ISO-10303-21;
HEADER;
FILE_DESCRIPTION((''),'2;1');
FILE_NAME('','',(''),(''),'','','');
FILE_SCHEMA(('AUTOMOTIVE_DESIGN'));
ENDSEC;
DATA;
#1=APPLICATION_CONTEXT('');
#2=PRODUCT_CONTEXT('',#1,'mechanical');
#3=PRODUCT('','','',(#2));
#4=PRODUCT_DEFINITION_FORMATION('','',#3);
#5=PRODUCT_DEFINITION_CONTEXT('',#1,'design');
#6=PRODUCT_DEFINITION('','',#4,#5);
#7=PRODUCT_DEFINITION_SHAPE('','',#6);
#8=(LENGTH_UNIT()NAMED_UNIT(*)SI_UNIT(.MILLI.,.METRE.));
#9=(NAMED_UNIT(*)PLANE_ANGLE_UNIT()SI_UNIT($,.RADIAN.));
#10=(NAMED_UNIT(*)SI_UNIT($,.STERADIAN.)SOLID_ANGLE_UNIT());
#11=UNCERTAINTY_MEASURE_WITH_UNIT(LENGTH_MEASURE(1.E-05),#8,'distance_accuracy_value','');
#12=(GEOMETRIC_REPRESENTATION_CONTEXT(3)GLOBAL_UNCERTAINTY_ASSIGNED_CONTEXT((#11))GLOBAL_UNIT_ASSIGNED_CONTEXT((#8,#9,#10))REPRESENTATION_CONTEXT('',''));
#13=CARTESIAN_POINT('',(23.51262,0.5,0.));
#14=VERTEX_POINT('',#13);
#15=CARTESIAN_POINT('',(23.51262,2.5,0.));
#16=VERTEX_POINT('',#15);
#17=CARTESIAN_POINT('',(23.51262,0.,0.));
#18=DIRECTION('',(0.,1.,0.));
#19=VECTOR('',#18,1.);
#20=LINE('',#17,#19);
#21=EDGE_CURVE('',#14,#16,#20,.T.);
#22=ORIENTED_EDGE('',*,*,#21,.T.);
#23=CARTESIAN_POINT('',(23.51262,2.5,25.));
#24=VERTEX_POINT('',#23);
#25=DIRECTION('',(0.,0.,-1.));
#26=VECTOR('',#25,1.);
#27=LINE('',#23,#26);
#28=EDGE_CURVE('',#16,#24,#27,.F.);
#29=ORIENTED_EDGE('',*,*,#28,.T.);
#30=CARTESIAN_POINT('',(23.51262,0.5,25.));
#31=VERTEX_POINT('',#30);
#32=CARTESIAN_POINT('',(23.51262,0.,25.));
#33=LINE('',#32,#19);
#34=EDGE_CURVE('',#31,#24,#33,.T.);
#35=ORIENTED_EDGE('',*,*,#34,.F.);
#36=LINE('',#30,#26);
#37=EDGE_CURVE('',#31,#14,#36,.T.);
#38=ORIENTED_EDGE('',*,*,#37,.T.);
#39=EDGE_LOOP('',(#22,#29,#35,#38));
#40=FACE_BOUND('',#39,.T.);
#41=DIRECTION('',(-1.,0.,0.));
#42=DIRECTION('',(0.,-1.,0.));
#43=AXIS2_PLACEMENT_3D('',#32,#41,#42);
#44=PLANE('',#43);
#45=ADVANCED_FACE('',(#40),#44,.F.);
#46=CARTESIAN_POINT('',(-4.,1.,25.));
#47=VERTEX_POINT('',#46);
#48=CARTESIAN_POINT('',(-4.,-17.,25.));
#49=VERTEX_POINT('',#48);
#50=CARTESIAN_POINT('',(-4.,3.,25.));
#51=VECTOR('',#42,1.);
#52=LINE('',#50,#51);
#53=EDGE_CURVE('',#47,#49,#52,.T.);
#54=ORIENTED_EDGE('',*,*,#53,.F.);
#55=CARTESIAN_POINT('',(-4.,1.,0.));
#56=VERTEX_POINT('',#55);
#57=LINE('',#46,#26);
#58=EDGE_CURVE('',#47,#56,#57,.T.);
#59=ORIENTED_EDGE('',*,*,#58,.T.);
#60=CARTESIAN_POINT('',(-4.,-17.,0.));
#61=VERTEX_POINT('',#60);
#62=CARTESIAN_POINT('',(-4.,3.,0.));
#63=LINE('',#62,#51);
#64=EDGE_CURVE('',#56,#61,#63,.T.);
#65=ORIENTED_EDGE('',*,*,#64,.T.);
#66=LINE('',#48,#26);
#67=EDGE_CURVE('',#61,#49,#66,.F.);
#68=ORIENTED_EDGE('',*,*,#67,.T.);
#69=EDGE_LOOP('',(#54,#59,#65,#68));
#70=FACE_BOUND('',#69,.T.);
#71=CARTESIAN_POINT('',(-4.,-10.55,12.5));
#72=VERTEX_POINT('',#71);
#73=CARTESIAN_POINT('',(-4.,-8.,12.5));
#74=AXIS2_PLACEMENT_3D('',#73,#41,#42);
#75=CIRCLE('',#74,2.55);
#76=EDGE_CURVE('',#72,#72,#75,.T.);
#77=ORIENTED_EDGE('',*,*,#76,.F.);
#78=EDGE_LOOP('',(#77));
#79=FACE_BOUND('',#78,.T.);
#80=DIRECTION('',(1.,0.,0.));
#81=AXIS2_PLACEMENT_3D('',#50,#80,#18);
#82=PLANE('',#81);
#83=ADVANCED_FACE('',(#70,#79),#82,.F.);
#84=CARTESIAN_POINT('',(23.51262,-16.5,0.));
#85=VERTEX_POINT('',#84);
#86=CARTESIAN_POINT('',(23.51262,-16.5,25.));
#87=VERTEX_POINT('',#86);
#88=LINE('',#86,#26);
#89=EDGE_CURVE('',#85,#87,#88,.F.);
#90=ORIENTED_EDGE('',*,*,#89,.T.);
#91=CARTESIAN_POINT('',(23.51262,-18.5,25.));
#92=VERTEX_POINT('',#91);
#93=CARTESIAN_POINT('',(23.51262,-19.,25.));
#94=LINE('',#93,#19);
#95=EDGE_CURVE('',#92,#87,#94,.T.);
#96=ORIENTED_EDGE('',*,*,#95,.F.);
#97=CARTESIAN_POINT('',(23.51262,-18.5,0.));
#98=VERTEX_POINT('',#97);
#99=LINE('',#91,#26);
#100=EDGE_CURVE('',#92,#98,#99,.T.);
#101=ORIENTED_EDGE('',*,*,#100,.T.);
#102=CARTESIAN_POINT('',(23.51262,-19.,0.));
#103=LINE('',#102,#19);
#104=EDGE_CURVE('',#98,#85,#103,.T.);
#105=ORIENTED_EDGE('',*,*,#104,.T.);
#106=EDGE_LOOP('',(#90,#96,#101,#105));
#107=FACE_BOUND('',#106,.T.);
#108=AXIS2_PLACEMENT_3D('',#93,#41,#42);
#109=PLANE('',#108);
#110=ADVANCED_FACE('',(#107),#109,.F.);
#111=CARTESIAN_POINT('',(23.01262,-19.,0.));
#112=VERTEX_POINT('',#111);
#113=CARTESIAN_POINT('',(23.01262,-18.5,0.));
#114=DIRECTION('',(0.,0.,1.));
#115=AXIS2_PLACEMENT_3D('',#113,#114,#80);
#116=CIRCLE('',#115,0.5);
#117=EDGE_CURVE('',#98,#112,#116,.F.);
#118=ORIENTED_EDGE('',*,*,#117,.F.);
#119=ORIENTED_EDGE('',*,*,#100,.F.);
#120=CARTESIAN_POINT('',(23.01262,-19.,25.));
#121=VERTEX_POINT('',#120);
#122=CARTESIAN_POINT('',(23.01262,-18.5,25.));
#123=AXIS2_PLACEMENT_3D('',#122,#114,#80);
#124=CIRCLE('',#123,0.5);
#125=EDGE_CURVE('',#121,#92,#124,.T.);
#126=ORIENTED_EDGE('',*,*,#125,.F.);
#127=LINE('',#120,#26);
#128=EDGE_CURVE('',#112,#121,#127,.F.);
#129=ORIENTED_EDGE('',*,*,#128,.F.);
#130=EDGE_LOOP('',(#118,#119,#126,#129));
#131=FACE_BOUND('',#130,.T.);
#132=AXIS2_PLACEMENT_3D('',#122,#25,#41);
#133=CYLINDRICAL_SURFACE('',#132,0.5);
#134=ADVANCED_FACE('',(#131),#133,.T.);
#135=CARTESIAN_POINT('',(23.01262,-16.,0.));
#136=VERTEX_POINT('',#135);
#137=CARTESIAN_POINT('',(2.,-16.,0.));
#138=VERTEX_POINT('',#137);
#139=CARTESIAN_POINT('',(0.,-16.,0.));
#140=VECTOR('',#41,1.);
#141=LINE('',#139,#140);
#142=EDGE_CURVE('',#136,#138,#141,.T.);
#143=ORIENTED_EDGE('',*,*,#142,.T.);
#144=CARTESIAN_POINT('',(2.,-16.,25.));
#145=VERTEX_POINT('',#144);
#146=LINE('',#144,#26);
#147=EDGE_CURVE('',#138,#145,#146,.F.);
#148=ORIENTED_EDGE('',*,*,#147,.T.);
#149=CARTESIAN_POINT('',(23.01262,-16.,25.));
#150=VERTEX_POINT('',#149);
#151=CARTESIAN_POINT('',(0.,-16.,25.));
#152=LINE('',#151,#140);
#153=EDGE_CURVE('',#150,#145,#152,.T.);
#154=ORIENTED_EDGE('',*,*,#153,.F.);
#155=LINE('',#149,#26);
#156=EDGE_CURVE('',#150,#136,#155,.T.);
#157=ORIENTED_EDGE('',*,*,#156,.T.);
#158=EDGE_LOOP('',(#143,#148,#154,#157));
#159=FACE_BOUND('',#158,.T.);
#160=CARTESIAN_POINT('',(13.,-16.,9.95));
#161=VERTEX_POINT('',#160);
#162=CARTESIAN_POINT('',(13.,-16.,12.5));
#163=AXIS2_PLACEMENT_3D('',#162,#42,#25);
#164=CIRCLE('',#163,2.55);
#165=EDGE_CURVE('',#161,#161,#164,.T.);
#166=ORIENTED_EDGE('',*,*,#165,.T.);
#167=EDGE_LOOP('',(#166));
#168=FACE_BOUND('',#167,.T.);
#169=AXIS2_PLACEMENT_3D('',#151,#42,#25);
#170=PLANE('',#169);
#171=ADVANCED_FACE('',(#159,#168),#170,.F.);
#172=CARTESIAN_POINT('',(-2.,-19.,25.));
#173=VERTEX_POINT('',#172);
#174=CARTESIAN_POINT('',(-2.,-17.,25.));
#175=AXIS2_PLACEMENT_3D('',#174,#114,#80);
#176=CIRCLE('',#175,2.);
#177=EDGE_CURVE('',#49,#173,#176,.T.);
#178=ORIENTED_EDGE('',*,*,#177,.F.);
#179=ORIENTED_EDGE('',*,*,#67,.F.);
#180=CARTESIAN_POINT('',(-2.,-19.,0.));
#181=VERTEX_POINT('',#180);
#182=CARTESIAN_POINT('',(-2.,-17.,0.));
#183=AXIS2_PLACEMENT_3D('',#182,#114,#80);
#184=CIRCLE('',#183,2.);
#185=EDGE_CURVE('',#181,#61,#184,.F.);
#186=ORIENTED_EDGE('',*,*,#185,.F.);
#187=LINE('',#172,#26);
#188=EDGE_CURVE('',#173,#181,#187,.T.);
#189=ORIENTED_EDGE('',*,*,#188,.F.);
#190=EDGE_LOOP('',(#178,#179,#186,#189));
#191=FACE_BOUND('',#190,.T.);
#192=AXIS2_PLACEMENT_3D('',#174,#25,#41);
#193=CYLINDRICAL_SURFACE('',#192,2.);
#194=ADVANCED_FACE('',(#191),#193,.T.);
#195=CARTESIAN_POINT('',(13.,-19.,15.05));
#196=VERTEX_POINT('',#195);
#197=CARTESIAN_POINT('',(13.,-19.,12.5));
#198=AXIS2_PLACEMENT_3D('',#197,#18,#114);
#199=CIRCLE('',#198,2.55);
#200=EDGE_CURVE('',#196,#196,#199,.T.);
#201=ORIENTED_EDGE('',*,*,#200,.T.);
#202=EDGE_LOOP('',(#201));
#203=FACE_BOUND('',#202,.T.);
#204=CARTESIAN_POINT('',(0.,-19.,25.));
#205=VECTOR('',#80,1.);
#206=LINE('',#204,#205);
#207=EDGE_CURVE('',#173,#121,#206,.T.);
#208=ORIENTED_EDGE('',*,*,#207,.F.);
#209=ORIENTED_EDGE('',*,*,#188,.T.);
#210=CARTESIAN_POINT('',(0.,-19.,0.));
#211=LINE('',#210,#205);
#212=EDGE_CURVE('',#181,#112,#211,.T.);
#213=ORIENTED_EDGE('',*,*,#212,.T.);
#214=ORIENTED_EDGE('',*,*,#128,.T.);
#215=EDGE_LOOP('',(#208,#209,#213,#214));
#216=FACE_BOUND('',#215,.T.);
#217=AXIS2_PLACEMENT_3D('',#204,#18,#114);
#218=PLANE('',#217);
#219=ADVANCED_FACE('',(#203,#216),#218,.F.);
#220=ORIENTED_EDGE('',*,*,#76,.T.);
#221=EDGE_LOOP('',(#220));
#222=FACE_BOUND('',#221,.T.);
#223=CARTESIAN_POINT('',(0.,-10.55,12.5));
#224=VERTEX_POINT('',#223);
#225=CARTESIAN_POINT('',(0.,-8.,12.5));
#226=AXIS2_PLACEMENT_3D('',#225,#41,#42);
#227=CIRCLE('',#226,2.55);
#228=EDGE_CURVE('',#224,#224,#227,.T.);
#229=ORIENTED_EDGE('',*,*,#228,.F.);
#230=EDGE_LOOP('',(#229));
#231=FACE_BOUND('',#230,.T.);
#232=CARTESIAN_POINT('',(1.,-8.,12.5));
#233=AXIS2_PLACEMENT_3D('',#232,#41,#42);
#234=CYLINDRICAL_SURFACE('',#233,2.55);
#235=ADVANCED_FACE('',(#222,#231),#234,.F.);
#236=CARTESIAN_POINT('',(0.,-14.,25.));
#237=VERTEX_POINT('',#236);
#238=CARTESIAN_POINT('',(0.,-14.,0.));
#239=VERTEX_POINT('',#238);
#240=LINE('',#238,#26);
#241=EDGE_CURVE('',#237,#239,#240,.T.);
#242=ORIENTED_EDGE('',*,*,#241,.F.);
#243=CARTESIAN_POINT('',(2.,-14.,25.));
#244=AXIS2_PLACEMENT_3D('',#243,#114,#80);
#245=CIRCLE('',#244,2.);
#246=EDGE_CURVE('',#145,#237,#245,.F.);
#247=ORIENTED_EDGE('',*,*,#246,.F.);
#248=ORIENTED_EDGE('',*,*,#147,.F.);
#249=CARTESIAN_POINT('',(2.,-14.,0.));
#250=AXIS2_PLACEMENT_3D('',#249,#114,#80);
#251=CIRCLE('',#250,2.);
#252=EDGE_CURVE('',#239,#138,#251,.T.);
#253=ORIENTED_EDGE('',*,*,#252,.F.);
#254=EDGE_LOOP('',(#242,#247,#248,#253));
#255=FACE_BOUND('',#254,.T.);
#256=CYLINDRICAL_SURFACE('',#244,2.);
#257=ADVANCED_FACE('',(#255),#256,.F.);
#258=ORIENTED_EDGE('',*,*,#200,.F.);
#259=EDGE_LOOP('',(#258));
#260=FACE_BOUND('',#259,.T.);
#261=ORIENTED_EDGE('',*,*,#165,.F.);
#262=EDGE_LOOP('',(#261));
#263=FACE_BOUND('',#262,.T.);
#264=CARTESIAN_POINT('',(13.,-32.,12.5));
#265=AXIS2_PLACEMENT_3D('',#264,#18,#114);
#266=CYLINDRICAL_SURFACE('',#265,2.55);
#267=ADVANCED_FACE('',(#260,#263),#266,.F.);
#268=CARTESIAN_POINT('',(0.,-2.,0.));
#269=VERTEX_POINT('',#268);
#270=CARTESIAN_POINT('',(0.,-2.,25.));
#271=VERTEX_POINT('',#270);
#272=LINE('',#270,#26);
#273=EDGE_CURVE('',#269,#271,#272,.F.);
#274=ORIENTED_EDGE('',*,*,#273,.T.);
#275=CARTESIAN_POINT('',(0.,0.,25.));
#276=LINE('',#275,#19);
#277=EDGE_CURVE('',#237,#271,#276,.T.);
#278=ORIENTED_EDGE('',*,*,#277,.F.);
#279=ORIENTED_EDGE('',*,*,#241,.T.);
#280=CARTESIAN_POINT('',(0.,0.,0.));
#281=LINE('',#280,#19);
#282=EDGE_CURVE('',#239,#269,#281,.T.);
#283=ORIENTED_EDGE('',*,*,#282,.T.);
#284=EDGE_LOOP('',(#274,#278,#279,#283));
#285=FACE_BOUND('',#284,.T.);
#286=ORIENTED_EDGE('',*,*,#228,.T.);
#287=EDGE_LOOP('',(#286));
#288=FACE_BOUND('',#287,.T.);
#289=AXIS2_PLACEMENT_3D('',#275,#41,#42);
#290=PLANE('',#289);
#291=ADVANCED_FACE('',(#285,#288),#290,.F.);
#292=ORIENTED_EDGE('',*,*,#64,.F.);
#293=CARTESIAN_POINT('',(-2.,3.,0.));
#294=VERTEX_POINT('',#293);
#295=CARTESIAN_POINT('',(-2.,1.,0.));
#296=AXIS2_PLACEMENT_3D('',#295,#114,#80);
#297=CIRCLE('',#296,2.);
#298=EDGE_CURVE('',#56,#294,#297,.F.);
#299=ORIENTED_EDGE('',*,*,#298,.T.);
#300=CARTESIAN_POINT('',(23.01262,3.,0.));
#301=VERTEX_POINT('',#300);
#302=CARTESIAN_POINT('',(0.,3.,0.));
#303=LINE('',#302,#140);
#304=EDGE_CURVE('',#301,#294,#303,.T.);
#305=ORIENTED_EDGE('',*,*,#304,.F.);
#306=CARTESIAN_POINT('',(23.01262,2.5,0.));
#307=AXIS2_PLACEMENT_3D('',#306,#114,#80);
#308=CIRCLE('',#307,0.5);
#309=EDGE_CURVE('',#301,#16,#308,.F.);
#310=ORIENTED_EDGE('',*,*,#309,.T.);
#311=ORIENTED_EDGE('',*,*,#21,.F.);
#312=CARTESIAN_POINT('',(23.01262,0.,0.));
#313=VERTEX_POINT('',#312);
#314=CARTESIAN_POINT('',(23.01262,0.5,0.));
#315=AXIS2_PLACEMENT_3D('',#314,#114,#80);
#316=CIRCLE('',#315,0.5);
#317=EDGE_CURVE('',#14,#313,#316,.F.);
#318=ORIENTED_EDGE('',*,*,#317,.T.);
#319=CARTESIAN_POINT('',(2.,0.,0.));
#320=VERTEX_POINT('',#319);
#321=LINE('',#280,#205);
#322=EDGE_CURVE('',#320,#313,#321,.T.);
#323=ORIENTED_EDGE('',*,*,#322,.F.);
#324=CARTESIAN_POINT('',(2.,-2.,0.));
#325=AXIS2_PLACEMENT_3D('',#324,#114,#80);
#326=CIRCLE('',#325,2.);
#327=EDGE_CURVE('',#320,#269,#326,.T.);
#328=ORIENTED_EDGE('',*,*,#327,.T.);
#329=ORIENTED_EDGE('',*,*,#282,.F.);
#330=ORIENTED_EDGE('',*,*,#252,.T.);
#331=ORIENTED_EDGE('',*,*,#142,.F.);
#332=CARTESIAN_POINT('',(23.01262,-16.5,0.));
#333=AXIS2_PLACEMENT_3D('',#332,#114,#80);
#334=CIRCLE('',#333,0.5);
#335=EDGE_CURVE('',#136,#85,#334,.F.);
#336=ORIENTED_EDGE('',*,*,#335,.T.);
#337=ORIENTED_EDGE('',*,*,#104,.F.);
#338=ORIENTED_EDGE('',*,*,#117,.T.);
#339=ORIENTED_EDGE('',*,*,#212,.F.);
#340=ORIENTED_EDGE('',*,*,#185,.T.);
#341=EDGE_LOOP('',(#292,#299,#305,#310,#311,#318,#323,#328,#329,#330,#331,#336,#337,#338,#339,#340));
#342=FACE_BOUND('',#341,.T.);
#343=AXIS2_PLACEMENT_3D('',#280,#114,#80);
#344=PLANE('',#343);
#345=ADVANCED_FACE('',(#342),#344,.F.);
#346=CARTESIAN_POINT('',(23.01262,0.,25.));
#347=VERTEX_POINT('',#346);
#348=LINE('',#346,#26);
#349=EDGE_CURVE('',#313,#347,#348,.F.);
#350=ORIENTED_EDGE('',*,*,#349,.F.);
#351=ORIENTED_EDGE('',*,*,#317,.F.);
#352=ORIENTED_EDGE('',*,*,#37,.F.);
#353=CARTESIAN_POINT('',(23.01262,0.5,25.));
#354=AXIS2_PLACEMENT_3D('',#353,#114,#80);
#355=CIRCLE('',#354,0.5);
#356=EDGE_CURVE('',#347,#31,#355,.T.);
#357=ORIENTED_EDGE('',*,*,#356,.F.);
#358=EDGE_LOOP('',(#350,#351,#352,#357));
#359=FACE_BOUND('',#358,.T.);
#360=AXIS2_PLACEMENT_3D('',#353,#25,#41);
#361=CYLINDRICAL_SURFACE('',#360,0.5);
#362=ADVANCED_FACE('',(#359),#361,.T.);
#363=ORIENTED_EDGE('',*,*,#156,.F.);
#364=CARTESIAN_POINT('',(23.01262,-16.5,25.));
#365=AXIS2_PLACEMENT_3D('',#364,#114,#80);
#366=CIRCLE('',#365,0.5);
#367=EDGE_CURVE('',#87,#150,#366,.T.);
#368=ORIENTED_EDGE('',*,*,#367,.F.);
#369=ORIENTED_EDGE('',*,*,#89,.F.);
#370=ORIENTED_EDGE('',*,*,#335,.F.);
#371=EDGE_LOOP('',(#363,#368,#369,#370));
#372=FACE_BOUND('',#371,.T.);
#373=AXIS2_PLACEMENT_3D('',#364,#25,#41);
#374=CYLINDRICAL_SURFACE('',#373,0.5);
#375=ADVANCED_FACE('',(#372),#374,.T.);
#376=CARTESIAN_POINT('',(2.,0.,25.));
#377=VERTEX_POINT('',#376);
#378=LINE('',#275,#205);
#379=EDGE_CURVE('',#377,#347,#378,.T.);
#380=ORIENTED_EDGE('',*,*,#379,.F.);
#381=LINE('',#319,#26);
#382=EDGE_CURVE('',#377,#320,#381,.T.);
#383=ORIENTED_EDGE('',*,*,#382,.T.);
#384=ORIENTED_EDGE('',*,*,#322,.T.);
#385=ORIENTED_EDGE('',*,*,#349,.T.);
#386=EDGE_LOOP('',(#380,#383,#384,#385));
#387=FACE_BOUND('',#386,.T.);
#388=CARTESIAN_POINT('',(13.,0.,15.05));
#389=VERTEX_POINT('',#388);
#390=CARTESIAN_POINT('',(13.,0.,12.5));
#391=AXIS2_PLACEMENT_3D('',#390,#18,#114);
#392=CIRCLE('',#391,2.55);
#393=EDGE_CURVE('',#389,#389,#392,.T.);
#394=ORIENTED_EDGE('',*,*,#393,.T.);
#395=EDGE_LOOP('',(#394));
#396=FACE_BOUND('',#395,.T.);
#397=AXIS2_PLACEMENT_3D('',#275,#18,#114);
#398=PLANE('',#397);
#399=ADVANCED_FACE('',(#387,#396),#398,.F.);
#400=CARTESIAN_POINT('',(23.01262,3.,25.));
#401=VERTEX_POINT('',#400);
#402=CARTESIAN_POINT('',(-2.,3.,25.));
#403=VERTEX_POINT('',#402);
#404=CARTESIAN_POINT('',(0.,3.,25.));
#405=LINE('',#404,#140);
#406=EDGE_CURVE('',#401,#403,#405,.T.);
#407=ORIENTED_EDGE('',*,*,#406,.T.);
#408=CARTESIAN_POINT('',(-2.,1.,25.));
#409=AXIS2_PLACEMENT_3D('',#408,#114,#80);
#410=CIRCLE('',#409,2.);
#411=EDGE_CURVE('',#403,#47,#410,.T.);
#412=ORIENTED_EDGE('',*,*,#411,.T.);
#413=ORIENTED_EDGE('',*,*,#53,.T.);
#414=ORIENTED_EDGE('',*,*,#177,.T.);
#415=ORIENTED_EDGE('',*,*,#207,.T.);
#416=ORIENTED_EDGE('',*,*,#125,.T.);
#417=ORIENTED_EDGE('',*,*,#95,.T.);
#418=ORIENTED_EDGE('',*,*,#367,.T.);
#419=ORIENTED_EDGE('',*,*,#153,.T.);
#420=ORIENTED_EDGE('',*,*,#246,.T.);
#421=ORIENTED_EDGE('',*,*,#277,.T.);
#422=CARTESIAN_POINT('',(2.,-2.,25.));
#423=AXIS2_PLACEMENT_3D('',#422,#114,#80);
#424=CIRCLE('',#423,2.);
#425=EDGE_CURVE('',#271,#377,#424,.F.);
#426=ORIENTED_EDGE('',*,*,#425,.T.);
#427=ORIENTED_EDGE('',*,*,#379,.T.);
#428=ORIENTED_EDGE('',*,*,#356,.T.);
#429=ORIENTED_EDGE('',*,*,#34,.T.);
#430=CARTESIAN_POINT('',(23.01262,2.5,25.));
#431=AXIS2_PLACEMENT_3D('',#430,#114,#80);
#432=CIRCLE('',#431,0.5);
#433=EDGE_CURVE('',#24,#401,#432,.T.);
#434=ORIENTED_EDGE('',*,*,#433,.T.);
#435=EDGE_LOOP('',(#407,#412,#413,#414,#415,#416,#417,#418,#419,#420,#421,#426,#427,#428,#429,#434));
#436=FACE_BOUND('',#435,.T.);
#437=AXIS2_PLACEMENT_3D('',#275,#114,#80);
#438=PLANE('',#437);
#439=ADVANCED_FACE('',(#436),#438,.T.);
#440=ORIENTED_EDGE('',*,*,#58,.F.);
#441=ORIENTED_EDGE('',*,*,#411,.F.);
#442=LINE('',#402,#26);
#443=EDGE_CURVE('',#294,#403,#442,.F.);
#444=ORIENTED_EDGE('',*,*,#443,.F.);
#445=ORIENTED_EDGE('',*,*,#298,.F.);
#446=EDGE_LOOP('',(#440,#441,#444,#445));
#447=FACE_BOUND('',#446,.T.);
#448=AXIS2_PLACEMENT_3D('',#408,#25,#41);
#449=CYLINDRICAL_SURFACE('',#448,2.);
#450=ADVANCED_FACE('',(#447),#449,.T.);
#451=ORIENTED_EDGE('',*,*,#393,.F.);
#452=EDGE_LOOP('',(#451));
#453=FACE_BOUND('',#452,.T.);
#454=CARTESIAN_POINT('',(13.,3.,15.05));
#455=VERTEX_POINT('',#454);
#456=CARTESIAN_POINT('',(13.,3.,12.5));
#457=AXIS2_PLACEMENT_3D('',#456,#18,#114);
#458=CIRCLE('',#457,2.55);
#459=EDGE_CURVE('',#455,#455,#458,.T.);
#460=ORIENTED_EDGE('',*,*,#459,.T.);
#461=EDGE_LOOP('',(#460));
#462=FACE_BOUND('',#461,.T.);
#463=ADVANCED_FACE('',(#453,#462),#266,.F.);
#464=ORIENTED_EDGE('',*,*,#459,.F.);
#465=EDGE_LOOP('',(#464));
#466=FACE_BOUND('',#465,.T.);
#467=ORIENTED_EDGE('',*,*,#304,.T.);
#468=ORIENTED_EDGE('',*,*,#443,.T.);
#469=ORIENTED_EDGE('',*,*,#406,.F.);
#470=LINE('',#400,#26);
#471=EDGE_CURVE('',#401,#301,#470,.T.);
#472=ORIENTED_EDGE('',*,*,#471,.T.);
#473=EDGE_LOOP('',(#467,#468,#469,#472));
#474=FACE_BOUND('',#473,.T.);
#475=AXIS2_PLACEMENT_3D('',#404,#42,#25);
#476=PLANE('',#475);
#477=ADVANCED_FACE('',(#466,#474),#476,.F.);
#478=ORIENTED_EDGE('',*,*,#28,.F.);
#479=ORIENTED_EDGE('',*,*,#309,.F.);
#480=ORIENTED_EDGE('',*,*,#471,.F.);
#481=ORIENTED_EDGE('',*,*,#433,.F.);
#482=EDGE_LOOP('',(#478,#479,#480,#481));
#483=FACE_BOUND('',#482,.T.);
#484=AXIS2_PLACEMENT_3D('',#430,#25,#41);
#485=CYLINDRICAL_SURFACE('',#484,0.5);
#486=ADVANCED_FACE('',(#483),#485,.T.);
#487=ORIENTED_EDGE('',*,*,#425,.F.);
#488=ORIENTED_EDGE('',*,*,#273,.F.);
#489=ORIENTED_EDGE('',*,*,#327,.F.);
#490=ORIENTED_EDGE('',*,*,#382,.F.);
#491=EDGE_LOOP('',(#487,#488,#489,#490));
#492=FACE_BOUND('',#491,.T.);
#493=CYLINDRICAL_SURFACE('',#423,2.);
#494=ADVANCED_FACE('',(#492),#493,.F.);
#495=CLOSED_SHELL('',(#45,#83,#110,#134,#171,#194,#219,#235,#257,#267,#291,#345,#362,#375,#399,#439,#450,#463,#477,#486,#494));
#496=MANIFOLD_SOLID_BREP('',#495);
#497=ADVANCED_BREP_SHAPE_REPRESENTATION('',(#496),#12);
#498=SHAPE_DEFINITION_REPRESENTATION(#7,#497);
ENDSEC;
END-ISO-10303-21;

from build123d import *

# Parameters (mm, degrees)
EXTRUDE_1_DEPTH     = 25
SKETCH_2_R          = 2.55
CUT_EXTRUDE_1_DEPTH = 5
FILLET_1_R          = 2
FILLET_2_R          = 0.5
SKETCH_3_R          = 2.55
CUT_EXTRUDE_2_DEPTH = 35


with BuildPart() as part:
    # 草图1 → 凸台-拉伸1 (new body)
    with BuildSketch(Plane.XY):
        Polygon((0, 0), (23.51262021, 0), (23.51262021, 3), (0, 3), (-4, 3), (-4, -19), (0, -19), (23.51262021, -19), (23.51262021, -16), (0, -16), align=None)
    extrude(amount=EXTRUDE_1_DEPTH)

    # 草图2 → 切除-拉伸1 (cut)
    with BuildSketch(Plane.ZY.offset(4)):
        with Locations(Location((12.5, -8, 0), (0, 0, 270))):
            Circle(SKETCH_2_R)
    extrude(amount=-CUT_EXTRUDE_1_DEPTH, mode=Mode.SUBTRACT)

    # 圆角1
    fillet_1_edges = [part.edges().sort_by_distance(p)[0] for p in [
        (0, -16, 12.5),
        (-4, -19, 12.5),
        (-4, 3, 12.5),
        (0, 0, 12.5),
    ]]
    fillet(fillet_1_edges, radius=FILLET_1_R)

    # 圆角2
    fillet_2_edges = [part.edges().sort_by_distance(p)[0] for p in [
        (23.51262021, -16, 12.5),
        (23.51262021, -19, 12.5),
        (23.51262021, 3, 12.5),
        (23.51262021, 0, 12.5),
    ]]
    fillet(fillet_2_edges, radius=FILLET_2_R)

    # 草图3 → 切除-拉伸2 (cut)
    with BuildSketch(Plane(origin=(0, 3, 0), x_dir=(1, 0, 0), z_dir=(0, 1, 0))):
        with Locations(Location((13, -12.5, 0), (0, 0, 270))):
            Circle(SKETCH_3_R)
    extrude(amount=-CUT_EXTRUDE_2_DEPTH, mode=Mode.SUBTRACT)


solid = part.part
